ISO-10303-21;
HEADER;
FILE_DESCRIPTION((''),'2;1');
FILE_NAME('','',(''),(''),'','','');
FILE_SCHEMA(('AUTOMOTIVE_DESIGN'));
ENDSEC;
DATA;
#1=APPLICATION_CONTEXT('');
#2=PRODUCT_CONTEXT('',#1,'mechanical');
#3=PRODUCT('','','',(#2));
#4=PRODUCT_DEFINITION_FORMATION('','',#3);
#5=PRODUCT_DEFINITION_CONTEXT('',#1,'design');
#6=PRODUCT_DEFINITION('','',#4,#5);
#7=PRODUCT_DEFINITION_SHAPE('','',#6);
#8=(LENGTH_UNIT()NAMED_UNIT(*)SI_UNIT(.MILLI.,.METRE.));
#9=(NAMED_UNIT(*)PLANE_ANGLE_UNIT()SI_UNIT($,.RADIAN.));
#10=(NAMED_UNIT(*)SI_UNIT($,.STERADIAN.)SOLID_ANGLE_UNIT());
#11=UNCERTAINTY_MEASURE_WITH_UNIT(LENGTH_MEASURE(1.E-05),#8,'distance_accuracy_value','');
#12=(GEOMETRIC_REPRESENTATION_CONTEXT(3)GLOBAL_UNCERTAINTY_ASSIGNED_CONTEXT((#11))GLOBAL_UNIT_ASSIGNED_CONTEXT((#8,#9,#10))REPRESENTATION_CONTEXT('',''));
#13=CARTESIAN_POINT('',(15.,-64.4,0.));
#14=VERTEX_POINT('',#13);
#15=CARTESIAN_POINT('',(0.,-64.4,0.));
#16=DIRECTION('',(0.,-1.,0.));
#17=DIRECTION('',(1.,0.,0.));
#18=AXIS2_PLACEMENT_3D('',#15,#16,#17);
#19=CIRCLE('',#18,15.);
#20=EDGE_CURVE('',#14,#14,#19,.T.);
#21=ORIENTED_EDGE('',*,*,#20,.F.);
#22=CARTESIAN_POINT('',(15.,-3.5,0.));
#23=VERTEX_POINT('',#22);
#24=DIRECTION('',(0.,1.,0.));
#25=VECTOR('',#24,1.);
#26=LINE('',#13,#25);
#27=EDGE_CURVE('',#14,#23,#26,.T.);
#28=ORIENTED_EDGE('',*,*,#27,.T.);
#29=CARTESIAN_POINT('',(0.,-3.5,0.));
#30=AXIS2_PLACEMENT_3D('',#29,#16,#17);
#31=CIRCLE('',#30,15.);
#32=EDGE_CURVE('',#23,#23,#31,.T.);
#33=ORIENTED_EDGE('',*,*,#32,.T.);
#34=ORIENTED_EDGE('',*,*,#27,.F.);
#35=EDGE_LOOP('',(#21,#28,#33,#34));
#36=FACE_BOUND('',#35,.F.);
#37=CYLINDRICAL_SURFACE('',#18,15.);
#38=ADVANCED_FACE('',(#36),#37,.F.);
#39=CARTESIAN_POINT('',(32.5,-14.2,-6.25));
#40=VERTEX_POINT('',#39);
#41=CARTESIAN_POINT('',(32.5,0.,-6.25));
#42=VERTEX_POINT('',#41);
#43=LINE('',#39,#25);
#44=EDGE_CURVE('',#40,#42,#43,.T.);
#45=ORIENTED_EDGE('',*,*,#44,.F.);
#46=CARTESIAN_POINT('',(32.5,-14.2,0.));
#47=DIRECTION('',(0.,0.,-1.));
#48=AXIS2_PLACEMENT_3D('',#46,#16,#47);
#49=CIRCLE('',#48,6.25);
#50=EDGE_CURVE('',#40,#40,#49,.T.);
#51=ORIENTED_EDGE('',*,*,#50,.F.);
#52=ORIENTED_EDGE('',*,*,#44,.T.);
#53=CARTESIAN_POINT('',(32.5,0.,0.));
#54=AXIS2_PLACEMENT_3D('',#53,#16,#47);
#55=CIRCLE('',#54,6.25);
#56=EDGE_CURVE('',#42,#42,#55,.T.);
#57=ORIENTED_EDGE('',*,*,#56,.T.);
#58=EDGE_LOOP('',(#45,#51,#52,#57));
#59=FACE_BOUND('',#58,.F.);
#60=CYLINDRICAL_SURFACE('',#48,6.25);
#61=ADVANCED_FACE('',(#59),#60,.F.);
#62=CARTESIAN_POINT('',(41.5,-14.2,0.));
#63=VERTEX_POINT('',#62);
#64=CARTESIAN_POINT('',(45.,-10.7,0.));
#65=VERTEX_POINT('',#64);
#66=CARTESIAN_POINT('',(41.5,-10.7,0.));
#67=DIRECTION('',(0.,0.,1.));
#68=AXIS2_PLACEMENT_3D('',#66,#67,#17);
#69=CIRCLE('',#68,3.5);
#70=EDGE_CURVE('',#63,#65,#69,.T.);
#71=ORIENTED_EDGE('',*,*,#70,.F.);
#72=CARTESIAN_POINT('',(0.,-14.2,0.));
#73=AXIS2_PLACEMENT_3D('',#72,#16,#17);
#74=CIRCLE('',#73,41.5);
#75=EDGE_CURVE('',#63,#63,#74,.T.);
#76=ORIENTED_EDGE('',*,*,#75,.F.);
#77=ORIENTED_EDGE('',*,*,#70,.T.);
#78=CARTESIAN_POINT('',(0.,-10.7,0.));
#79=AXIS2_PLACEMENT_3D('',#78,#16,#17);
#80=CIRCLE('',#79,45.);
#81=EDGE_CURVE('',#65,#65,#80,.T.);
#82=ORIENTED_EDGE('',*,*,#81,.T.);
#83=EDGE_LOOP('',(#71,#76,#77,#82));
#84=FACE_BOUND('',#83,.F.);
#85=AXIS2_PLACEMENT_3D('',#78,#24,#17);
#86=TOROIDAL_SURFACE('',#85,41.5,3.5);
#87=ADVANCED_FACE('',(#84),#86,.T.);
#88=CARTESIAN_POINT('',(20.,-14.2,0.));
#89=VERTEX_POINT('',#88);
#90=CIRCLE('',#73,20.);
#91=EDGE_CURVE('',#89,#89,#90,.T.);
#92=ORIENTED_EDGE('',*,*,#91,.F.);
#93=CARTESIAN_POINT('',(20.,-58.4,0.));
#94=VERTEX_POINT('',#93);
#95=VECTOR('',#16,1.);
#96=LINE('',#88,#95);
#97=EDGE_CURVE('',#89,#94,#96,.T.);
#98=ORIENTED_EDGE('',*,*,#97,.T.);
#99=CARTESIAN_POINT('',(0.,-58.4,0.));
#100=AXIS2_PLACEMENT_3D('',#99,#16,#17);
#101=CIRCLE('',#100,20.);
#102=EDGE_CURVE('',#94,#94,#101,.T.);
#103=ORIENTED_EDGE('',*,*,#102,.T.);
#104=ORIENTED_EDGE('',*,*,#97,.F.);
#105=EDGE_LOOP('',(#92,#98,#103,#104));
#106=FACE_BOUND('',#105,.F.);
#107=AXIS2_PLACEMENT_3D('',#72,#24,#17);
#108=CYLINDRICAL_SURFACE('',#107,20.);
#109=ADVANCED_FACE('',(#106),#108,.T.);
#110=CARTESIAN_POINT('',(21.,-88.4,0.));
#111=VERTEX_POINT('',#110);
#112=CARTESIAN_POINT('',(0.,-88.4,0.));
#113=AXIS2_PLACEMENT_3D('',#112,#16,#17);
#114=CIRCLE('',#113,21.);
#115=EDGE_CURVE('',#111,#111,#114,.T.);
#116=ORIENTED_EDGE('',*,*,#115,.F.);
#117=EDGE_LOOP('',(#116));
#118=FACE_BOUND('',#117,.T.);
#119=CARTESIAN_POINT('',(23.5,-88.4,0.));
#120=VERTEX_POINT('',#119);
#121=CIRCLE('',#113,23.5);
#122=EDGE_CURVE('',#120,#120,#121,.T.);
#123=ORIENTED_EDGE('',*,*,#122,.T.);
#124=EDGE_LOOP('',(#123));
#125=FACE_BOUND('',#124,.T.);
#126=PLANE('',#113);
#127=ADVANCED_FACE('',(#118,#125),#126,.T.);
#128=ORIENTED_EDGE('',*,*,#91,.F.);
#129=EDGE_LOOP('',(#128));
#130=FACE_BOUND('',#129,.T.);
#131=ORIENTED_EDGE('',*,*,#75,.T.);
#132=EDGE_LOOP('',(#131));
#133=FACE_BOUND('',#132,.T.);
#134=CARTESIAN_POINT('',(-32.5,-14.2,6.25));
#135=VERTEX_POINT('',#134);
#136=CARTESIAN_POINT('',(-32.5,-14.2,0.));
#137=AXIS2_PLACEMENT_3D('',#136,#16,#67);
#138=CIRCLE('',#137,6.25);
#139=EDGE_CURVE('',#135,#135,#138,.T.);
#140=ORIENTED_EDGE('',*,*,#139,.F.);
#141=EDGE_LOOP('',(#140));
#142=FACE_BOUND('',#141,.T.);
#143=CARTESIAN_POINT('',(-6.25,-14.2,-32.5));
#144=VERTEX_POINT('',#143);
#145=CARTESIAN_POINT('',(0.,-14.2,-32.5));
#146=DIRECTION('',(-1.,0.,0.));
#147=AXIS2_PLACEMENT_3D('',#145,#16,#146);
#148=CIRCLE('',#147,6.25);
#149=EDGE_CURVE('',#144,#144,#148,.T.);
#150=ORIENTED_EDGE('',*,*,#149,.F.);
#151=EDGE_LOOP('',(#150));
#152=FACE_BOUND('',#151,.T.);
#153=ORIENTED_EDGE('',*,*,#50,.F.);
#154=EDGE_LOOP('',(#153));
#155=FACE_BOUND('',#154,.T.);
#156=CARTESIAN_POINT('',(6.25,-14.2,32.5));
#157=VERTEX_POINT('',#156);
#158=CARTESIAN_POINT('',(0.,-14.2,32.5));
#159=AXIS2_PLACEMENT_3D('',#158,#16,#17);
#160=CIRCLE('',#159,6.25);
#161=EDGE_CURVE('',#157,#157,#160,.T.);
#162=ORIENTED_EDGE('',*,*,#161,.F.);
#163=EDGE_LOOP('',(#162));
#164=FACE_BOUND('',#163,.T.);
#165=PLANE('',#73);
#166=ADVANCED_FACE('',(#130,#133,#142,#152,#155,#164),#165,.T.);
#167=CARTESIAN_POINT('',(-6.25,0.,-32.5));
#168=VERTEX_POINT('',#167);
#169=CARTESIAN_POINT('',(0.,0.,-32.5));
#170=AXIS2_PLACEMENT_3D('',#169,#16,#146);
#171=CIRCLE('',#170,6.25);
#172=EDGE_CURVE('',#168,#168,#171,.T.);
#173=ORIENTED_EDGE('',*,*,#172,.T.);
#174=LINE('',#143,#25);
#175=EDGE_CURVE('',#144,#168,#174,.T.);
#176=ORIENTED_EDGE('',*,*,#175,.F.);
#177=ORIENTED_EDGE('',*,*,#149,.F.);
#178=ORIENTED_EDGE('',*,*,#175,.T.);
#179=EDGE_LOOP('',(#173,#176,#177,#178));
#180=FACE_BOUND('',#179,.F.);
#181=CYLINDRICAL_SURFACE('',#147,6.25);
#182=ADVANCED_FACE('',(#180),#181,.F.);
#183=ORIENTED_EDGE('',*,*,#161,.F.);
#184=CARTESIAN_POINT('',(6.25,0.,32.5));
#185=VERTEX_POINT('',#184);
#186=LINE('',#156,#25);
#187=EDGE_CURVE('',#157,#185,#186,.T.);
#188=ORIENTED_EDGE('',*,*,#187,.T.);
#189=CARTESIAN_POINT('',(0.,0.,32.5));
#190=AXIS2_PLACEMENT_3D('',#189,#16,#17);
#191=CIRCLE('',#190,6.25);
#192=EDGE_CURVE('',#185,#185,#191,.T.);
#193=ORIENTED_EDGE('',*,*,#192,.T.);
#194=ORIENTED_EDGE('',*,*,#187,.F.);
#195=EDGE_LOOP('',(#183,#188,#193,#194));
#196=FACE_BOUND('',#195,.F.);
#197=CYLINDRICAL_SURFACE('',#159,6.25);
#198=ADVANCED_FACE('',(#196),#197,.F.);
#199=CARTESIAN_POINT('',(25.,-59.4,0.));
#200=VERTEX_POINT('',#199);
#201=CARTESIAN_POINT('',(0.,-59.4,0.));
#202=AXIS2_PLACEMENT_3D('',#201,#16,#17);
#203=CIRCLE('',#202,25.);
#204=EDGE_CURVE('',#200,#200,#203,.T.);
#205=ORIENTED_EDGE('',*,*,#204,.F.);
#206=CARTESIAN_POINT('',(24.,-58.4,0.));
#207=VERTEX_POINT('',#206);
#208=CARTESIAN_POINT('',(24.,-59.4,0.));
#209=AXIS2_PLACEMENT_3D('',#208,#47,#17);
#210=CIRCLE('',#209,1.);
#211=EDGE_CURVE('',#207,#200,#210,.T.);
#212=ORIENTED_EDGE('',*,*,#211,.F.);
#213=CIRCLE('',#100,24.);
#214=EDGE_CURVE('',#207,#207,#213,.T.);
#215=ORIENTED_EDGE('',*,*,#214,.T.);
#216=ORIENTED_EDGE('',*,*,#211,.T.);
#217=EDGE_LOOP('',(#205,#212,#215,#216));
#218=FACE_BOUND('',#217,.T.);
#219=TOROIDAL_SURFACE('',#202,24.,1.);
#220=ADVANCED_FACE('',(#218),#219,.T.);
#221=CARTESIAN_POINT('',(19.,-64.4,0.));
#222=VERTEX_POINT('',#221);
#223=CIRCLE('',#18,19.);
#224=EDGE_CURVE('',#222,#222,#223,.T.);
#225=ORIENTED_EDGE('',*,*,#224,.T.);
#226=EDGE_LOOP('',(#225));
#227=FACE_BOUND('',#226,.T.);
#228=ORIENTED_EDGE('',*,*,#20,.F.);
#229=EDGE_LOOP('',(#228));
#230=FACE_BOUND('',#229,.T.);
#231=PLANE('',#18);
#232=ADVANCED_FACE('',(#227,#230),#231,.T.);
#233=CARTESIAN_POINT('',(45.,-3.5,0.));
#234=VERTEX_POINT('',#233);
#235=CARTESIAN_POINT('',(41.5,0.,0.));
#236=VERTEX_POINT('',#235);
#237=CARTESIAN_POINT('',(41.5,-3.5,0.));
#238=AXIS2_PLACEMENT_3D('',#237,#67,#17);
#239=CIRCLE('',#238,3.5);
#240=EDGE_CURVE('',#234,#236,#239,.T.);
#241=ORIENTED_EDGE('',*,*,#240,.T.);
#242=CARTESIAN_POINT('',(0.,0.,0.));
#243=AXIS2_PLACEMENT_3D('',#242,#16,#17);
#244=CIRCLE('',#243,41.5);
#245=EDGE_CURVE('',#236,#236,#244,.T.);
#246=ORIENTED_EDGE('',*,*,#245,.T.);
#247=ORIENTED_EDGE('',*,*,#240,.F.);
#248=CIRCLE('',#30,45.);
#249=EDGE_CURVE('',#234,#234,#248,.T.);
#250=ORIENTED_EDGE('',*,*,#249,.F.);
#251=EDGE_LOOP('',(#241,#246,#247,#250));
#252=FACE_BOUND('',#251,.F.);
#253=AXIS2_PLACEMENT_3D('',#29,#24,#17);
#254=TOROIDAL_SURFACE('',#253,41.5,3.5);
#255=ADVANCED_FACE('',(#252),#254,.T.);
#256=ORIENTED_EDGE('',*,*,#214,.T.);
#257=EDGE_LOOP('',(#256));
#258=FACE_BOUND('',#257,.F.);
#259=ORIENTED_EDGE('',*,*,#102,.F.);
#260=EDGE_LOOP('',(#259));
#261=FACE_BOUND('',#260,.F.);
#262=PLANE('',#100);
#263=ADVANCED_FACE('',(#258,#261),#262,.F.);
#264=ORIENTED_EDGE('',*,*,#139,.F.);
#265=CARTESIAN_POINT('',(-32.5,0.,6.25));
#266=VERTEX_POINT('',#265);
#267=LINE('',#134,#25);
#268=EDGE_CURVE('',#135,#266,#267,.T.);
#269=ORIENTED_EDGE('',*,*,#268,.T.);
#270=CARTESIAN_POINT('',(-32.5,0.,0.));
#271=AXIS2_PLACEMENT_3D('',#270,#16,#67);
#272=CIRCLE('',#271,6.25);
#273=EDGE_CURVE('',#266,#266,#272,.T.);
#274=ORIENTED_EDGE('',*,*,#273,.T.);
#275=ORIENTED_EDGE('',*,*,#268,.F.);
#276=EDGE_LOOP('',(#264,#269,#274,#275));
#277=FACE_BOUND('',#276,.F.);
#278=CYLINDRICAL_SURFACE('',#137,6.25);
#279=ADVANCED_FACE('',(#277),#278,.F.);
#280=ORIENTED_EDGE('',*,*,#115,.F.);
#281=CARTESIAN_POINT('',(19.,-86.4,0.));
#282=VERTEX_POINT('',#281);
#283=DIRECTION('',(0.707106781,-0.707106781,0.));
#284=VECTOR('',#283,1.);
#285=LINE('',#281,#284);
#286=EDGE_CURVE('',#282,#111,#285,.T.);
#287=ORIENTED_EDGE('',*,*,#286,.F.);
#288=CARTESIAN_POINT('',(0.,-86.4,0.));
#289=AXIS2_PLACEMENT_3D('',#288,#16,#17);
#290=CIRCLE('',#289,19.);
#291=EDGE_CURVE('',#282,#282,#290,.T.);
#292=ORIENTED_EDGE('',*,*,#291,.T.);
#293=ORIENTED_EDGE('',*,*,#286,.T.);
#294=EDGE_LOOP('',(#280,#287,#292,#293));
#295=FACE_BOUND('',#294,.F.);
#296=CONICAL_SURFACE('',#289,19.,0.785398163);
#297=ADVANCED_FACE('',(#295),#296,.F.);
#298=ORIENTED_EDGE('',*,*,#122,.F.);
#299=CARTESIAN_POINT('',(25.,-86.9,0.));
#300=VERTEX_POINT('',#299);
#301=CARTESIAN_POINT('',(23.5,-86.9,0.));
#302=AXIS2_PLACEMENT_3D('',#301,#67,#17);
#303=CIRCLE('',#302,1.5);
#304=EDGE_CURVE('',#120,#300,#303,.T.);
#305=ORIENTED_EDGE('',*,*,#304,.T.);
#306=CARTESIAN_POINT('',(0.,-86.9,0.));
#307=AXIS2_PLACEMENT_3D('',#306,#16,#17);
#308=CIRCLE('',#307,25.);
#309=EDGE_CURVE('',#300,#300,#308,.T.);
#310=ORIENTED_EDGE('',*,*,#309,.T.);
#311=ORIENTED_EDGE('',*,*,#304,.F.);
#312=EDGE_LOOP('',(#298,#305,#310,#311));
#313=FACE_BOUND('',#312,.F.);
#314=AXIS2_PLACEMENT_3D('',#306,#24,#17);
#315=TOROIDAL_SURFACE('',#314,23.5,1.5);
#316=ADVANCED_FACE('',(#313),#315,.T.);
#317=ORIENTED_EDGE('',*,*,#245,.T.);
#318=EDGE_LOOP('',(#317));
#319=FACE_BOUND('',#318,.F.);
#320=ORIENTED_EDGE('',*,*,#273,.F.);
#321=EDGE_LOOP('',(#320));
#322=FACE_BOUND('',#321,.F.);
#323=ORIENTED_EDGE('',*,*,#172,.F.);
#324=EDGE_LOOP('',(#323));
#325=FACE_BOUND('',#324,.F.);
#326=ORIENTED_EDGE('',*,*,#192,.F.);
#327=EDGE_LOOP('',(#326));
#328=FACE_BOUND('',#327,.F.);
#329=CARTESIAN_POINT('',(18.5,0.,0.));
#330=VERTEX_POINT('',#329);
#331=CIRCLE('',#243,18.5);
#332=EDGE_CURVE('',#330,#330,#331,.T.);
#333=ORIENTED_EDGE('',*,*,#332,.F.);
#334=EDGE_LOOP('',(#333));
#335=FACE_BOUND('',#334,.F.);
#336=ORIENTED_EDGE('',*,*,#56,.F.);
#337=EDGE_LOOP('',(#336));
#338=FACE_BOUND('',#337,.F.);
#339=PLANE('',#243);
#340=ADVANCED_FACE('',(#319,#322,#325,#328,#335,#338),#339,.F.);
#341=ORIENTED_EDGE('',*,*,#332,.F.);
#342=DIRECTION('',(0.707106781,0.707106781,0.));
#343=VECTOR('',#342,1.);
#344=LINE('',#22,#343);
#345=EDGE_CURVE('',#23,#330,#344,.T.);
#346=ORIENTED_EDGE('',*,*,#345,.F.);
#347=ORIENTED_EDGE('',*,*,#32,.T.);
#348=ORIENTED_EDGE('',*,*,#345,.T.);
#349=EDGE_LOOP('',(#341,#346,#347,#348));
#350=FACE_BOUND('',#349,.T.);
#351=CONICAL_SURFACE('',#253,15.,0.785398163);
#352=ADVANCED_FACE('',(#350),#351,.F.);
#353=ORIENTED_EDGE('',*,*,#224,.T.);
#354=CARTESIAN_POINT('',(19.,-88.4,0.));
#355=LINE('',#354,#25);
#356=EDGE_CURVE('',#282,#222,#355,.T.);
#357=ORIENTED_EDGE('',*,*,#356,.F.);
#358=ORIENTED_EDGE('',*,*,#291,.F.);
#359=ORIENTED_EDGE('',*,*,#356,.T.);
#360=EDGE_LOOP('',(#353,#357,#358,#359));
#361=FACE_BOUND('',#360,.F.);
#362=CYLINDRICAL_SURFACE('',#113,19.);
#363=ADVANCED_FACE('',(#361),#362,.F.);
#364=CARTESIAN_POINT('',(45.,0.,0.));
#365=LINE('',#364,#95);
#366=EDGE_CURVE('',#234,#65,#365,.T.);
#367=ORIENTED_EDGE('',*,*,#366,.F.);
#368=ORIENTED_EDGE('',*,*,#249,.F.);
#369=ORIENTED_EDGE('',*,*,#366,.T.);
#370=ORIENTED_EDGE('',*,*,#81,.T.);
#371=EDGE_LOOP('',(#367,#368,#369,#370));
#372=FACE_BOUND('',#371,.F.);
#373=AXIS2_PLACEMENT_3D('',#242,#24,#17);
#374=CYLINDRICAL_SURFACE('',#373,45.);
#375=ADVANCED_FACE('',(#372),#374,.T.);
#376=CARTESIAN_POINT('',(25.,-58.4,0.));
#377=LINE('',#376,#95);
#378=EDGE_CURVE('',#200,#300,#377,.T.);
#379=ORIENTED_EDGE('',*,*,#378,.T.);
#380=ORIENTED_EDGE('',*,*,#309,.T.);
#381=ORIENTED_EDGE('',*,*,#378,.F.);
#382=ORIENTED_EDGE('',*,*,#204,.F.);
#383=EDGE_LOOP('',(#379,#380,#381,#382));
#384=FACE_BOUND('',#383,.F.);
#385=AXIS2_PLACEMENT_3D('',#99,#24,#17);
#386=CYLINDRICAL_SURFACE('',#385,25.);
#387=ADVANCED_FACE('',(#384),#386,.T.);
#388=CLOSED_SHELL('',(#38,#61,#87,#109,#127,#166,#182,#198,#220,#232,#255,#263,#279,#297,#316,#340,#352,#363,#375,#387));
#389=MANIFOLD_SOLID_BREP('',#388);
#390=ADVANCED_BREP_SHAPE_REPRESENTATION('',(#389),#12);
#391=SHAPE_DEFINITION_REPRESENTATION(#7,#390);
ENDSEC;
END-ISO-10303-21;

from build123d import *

# Parameters (mm, degrees)
SKETCH_R           = 45
PAD_DEPTH          = 14.2
SKETCH001_R        = 20
PAD001_DEPTH       = 44.2
SKETCH002_R        = 25
PAD002_DEPTH       = 30
SKETCH003_R        = 19
POCKET_DEPTH       = 24
SKETCH004_R        = 15
POCKET001_DEPTH    = 64.401
CHAMFER_SIZE       = 3.5
CHAMFER001_SIZE    = 2
FILLET_R           = 1.5
SKETCH005_R        = 6.25
POCKET002_DEPTH    = 324.133638
POLARPATTERN_COUNT = 4
FILLET001_R        = 3.5
FILLET002_R        = 1


with BuildPart() as part:
    # Sketch → Pad (new body)
    with BuildSketch(Plane.XZ):
        Circle(SKETCH_R)
    extrude(amount=PAD_DEPTH)

    # Sketch001 (on Face3 of Pad) → Pad001 (join)
    with BuildSketch(Plane.XZ.offset(14.2)):
        Circle(SKETCH001_R)
    extrude(amount=PAD001_DEPTH)

    # Sketch002 (on Face5 of Pad001) → Pad002 (join)
    with BuildSketch(Plane.XZ.offset(58.4)):
        Circle(SKETCH002_R)
    extrude(amount=PAD002_DEPTH)

    # Sketch003 (on Face3 of Pad002) → Pocket (cut)
    with BuildSketch(Plane.XZ.offset(88.4)):
        Circle(SKETCH003_R)
    extrude(amount=-POCKET_DEPTH, mode=Mode.SUBTRACT)

    # Sketch004 (on Face7 of Pocket) → Pocket001 (cut, through all)
    with BuildSketch(Plane.XZ.offset(64.4)):
        Circle(SKETCH004_R)
    extrude(amount=-POCKET001_DEPTH, mode=Mode.SUBTRACT)

    # Chamfer
    chamfer_edges = [part.edges().sort_by_distance(p)[0] for p in [
        (-15, 0, 0),
    ]]
    chamfer(chamfer_edges, length=CHAMFER_SIZE)

    # Chamfer001
    chamfer001_edges = [part.edges().sort_by_distance(p)[0] for p in [
        (-19, -88.4, 0),
    ]]
    chamfer(chamfer001_edges, length=CHAMFER001_SIZE)

    # Fillet
    fillet_edges = [part.edges().sort_by_distance(p)[0] for p in [
        (-25, -88.4, 0),
    ]]
    fillet(fillet_edges, radius=FILLET_R)

    # Sketch005 (on Face10 of Fillet) → Pocket002 (cut, through all)
    with BuildSketch(Plane.XZ.offset(14.2)):
        with Locations((0, 32.5)):
            Circle(SKETCH005_R)
    pocket002 = extrude(amount=-POCKET002_DEPTH, mode=Mode.SUBTRACT)

    # PolarPattern: Pocket002 ×4 about axis
    polarpattern_axis = Axis((0, -14.2, 0), (0, -1, 0))
    for i in range(1, POLARPATTERN_COUNT):
        add(pocket002.rotate(polarpattern_axis, i * 360 / POLARPATTERN_COUNT), mode=Mode.SUBTRACT)

    # Fillet001
    fillet001_edges = [part.edges().sort_by_distance(p)[0] for p in [
        (45, -7.1, 0),
        (-45, 0, 0),
        (-45, -14.2, 0),
    ]]
    fillet(fillet001_edges, radius=FILLET001_R)

    # Fillet002
    fillet002_edges = [part.edges().sort_by_distance(p)[0] for p in [
        (-25, -58.4, 0),
    ]]
    fillet(fillet002_edges, radius=FILLET002_R)


solid = part.part
